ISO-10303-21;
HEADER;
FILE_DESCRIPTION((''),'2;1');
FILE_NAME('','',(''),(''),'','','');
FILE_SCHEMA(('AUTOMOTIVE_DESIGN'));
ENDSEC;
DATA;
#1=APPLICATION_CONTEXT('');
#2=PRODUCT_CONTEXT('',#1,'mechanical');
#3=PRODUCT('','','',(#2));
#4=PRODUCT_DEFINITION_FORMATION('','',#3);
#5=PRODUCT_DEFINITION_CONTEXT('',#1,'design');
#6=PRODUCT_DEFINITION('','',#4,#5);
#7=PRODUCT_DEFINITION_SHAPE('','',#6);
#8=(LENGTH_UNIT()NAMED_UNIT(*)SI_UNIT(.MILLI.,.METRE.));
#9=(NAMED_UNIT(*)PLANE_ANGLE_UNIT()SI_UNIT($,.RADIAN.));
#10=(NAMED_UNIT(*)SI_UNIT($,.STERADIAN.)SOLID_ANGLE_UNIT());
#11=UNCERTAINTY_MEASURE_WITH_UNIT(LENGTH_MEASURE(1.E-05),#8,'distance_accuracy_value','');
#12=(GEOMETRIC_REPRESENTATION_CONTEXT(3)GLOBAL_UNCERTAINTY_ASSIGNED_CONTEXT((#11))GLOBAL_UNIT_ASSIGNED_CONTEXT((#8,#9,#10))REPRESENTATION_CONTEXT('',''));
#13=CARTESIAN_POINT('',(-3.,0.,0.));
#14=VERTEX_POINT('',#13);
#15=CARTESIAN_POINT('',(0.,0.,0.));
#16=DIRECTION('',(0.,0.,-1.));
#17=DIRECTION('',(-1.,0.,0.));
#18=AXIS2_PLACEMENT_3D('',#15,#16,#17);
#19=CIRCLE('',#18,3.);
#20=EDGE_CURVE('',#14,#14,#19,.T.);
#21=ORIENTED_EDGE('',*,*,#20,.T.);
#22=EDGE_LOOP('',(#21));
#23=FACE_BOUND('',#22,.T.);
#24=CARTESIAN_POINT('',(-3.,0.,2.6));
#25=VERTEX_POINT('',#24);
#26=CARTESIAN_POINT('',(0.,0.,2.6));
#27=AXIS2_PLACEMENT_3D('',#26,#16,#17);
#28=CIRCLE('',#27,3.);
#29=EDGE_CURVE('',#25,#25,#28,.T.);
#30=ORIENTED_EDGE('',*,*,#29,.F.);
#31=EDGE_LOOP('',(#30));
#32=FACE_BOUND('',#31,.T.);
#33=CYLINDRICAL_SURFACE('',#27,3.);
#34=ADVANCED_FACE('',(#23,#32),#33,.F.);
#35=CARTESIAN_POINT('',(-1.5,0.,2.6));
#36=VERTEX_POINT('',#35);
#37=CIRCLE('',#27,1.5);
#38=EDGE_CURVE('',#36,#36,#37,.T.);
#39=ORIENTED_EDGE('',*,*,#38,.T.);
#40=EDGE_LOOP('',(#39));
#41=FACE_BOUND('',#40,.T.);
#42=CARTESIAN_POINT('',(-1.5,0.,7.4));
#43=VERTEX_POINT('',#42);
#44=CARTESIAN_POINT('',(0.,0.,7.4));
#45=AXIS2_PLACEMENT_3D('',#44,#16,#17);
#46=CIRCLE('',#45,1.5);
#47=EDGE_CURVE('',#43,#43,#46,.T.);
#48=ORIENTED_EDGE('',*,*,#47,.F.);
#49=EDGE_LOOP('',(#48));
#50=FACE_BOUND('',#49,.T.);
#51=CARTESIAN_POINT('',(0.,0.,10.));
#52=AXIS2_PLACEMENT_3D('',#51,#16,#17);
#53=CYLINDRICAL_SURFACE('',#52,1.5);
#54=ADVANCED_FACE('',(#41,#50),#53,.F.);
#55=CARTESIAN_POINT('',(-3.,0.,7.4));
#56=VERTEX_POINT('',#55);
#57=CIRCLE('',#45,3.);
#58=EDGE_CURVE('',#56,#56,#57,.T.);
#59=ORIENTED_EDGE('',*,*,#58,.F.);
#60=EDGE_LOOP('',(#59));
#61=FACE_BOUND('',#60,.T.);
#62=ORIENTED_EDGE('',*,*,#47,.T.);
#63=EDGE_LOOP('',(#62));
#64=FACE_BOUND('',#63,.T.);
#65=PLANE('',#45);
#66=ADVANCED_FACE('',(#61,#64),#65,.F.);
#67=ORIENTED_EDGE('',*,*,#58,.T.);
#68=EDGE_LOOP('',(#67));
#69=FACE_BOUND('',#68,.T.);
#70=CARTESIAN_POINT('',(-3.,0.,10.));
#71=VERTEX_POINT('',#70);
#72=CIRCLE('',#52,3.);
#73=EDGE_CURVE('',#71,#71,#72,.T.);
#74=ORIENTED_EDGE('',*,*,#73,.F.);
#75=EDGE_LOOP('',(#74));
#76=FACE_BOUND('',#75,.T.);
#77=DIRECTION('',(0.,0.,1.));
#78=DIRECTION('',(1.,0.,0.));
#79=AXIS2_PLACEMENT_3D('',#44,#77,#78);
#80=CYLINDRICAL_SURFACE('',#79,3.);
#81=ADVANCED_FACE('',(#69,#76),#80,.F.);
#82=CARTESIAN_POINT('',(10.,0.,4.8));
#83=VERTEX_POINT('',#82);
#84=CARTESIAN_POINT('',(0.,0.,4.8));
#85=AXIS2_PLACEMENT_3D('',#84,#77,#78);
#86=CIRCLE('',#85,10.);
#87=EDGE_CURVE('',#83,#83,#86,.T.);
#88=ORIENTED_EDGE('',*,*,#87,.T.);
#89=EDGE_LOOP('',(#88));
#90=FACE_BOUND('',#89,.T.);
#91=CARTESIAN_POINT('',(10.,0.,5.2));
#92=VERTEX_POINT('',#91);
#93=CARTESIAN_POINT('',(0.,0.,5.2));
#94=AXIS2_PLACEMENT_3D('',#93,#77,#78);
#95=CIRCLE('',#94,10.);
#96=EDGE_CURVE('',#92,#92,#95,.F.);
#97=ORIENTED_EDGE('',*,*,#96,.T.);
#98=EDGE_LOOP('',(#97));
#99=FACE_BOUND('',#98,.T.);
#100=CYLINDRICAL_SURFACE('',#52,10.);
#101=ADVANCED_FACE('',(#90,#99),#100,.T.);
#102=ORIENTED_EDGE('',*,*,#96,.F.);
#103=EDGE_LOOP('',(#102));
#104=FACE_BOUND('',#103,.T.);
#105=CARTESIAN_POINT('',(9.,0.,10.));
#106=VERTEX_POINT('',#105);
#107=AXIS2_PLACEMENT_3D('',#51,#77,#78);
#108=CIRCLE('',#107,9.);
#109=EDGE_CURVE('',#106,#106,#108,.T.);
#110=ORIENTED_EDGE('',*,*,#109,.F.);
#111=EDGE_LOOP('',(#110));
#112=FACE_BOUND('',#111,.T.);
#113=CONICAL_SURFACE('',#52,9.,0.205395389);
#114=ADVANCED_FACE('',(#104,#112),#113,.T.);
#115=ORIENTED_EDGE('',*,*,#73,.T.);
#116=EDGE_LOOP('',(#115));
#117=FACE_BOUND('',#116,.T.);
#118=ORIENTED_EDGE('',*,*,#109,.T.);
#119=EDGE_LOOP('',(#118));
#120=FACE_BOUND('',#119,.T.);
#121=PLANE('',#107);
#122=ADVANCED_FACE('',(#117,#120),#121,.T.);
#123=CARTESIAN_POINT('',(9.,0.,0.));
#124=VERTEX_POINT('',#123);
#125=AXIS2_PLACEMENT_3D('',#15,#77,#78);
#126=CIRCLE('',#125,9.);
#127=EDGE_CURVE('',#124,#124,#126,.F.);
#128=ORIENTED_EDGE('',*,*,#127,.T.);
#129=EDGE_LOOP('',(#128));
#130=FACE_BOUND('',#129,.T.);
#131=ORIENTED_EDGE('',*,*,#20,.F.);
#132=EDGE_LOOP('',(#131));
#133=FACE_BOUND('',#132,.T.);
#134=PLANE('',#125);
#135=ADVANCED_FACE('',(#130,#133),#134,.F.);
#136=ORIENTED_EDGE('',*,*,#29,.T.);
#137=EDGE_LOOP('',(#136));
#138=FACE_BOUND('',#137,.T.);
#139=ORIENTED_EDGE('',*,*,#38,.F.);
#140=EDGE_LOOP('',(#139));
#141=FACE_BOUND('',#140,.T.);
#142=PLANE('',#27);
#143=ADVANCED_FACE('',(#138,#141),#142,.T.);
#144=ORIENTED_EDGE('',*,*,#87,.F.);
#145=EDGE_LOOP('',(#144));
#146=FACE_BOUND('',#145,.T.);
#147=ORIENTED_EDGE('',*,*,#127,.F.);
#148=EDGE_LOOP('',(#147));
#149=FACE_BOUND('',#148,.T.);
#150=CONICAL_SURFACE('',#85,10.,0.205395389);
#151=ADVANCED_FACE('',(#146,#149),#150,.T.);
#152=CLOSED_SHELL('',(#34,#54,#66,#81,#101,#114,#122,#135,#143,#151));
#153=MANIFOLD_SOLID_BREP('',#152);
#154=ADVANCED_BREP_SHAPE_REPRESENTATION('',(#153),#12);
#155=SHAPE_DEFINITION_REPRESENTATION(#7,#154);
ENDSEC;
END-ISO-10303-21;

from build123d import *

# Parameters (mm, degrees)
SKETCH_1_R          = 10
EXTRUDE_1_DEPTH     = 10
CHAMFER_1_SIZE      = 1
CHAMFER_1_SIZE2     = 4.8
CHAMFER_2_SIZE      = 4.8
CHAMFER_2_SIZE2     = 1
SKETCH_2_R          = 3
CUT_EXTRUDE_1_DEPTH = 2.6
CUT_EXTRUDE_START   = -7.4
SKETCH_2_3_R        = 3
CUT_EXTRUDE_2_DEPTH = 2.6
SKETCH_4_R          = 1.5
CUT_EXTRUDE_3_DEPTH = 16.961202962


with BuildPart() as part:
    # 草图1 → 凸台-拉伸1 (new body)
    with BuildSketch(Plane.XY):
        Circle(SKETCH_1_R)
    extrude(amount=EXTRUDE_1_DEPTH)

    # 倒角1
    chamfer_1_edges = [part.edges().sort_by_distance(p)[0] for p in [
        (-10, 0, 0),
    ]]
    chamfer_1_side = [part.faces().sort_by_distance(p)[0] for p in [
        (0, 0, 0),
    ]]
    chamfer(chamfer_1_edges, length=CHAMFER_1_SIZE, length2=CHAMFER_1_SIZE2, reference=chamfer_1_side[0])

    # 倒角2
    chamfer_2_edges = [part.edges().sort_by_distance(p)[0] for p in [
        (-10, 0, 10),
    ]]
    chamfer_2_side = [part.faces().sort_by_distance(p)[0] for p in [
        (-10, 0, 7.4),
    ]]
    chamfer(chamfer_2_edges, length=CHAMFER_2_SIZE, length2=CHAMFER_2_SIZE2, reference=chamfer_2_side[0])

    # 草图2 → 切除-拉伸1 (cut)
    with BuildSketch(Plane(origin=(0, 0, 0), x_dir=(-1, 0, 0), z_dir=(0, 0, -1))):
        Circle(SKETCH_2_R)
    extrude(amount=-CUT_EXTRUDE_1_DEPTH, mode=Mode.SUBTRACT)

    # 草图2<3> → 切除-拉伸2 (cut)
    with BuildSketch(Plane(origin=(0, 0, 0), x_dir=(-1, 0, 0), z_dir=(0, 0, -1)).offset(CUT_EXTRUDE_START)):
        Circle(SKETCH_2_3_R)
    extrude(amount=-CUT_EXTRUDE_2_DEPTH, mode=Mode.SUBTRACT)

    # 草图4 → 切除-拉伸3 (cut, through all)
    with BuildSketch(Plane(origin=(0, 0, 2.6), x_dir=(-1, 0, 0), z_dir=(0, 0, -1))):
        Circle(SKETCH_4_R)
    extrude(amount=-CUT_EXTRUDE_3_DEPTH, mode=Mode.SUBTRACT)


solid = part.part
